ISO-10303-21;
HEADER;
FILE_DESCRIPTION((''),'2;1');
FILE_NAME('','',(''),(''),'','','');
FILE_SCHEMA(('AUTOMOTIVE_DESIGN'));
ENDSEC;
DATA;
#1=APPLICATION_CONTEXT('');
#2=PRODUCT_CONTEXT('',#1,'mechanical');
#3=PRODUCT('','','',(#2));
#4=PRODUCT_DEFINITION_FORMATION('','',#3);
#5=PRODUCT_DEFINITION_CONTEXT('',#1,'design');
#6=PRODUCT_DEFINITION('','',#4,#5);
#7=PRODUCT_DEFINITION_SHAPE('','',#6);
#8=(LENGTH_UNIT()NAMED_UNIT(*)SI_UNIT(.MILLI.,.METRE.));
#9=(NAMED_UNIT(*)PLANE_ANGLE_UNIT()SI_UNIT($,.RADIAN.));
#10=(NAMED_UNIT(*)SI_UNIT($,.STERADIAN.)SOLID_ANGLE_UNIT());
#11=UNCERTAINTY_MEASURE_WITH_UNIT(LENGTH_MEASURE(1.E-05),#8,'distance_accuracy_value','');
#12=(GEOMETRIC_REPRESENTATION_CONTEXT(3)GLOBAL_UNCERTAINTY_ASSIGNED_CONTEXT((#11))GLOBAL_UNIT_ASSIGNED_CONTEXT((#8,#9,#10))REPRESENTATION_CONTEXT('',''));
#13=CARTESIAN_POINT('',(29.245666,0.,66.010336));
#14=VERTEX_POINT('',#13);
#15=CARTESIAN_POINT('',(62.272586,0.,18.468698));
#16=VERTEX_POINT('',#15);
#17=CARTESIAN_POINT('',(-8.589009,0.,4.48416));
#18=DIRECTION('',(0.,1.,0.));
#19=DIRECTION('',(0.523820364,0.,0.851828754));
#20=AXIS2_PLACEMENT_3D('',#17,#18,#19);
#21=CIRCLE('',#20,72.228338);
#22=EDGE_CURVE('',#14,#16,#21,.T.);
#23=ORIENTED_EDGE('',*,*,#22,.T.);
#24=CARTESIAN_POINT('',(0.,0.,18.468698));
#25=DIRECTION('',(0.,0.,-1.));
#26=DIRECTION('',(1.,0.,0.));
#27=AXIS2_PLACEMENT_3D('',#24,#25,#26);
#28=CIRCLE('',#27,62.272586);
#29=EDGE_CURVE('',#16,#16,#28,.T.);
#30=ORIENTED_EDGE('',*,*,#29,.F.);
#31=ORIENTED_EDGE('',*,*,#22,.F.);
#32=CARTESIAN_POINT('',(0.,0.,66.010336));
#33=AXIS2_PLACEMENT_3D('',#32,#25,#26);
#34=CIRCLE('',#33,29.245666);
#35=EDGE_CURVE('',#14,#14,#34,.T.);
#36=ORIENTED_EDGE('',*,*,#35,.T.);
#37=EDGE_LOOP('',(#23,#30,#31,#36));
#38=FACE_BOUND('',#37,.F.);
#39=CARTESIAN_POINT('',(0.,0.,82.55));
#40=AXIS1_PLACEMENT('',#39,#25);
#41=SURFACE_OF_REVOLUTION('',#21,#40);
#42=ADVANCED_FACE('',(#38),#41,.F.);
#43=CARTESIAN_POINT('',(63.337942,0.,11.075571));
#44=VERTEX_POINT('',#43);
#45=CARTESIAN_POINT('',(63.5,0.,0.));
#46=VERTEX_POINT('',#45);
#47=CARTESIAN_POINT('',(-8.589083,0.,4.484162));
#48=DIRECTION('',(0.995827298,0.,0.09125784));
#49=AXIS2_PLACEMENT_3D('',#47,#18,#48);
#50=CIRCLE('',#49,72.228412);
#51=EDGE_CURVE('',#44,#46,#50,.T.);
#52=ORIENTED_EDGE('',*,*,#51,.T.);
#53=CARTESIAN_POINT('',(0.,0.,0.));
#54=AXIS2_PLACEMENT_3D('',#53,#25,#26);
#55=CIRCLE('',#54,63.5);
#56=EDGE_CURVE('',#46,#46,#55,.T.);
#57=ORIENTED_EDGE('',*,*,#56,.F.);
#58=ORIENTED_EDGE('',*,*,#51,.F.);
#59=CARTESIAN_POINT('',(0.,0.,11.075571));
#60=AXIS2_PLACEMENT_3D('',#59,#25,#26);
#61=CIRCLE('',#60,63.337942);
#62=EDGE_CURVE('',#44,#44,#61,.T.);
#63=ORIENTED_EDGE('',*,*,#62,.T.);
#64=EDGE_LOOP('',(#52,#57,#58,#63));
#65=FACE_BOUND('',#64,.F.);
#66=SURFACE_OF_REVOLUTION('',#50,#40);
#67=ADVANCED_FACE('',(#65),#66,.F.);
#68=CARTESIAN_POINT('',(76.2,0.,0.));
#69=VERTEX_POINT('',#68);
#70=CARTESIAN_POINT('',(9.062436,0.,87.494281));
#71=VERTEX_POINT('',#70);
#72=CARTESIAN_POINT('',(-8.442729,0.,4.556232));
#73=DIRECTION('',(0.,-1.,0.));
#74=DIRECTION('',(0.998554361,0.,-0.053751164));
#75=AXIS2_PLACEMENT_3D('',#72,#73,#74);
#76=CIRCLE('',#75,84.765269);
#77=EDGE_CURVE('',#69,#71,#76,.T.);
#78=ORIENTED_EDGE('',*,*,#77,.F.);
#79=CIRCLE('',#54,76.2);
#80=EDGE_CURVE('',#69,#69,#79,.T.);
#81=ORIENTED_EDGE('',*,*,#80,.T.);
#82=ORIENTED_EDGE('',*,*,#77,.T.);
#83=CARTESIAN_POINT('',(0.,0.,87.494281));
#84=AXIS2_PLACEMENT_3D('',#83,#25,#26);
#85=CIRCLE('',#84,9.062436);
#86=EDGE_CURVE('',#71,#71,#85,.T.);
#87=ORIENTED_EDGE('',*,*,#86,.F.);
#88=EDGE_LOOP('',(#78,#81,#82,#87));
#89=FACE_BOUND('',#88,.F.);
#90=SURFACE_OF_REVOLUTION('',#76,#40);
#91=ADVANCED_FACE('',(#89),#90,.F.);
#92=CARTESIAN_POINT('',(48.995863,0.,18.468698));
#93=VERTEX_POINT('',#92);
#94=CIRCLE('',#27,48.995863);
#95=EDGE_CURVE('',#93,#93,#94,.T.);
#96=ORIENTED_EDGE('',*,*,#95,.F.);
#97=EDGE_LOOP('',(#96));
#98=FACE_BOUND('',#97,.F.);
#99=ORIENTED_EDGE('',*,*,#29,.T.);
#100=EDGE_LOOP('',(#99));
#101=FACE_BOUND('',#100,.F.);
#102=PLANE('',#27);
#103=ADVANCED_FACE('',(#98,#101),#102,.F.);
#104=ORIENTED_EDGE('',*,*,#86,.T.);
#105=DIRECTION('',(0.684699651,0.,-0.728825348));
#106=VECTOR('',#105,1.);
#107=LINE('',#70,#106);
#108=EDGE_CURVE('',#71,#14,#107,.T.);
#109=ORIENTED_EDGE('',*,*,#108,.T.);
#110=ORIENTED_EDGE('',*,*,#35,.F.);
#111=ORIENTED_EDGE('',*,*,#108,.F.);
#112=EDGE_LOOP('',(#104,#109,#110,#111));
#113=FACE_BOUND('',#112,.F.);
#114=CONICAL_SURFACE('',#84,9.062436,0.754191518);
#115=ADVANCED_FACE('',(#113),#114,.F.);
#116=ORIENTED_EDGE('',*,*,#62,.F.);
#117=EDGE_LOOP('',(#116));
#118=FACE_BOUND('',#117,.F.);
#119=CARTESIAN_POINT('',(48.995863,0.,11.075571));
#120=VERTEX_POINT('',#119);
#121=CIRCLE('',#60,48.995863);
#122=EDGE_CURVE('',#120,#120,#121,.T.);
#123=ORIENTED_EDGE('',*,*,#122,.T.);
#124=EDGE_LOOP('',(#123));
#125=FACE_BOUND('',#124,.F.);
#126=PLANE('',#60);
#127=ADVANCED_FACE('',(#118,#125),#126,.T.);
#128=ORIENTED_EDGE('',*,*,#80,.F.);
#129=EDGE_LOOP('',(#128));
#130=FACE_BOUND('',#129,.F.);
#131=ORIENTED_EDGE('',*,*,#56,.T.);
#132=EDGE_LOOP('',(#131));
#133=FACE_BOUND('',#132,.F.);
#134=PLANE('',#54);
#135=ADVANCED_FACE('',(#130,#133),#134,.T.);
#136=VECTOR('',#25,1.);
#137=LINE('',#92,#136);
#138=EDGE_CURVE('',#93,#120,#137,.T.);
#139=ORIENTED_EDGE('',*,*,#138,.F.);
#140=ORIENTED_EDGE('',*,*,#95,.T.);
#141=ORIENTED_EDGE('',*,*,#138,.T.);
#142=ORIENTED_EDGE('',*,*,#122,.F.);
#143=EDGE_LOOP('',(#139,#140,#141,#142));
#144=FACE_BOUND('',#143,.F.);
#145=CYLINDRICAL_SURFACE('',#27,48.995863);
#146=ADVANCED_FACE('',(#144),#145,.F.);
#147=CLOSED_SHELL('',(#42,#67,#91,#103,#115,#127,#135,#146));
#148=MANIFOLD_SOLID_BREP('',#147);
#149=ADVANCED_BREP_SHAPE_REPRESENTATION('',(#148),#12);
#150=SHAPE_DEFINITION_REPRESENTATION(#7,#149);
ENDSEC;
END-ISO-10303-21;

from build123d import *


with BuildPart() as f1:
    # F0 (on Front) → F1 (revolve)
    with BuildSketch(Plane.XZ):
        with BuildLine():
            ThreePointArc((63.337942, 11.075571), (63.631599, 5.540897), (63.5, 0))
            Line((63.5, 0), (76.2, 0))
            ThreePointArc((76.2, 0), (58.805768, 56.158465), (9.062436, 87.494281))
            Line((9.062436, 87.494281), (29.245666, 66.010336))
            ThreePointArc((29.245666, 66.010336), (50.730226, 45.692913), (62.272586, 18.468698))
            Line((62.272586, 18.468698), (48.995863, 18.468698))
            Line((48.995863, 18.468698), (48.995863, 11.075571))
            Line((48.995863, 11.075571), (63.337942, 11.075571))
        make_face()
    revolve(axis=Axis((0, 0, 82.55), (0, 0, -1)))


solid = f1.part
